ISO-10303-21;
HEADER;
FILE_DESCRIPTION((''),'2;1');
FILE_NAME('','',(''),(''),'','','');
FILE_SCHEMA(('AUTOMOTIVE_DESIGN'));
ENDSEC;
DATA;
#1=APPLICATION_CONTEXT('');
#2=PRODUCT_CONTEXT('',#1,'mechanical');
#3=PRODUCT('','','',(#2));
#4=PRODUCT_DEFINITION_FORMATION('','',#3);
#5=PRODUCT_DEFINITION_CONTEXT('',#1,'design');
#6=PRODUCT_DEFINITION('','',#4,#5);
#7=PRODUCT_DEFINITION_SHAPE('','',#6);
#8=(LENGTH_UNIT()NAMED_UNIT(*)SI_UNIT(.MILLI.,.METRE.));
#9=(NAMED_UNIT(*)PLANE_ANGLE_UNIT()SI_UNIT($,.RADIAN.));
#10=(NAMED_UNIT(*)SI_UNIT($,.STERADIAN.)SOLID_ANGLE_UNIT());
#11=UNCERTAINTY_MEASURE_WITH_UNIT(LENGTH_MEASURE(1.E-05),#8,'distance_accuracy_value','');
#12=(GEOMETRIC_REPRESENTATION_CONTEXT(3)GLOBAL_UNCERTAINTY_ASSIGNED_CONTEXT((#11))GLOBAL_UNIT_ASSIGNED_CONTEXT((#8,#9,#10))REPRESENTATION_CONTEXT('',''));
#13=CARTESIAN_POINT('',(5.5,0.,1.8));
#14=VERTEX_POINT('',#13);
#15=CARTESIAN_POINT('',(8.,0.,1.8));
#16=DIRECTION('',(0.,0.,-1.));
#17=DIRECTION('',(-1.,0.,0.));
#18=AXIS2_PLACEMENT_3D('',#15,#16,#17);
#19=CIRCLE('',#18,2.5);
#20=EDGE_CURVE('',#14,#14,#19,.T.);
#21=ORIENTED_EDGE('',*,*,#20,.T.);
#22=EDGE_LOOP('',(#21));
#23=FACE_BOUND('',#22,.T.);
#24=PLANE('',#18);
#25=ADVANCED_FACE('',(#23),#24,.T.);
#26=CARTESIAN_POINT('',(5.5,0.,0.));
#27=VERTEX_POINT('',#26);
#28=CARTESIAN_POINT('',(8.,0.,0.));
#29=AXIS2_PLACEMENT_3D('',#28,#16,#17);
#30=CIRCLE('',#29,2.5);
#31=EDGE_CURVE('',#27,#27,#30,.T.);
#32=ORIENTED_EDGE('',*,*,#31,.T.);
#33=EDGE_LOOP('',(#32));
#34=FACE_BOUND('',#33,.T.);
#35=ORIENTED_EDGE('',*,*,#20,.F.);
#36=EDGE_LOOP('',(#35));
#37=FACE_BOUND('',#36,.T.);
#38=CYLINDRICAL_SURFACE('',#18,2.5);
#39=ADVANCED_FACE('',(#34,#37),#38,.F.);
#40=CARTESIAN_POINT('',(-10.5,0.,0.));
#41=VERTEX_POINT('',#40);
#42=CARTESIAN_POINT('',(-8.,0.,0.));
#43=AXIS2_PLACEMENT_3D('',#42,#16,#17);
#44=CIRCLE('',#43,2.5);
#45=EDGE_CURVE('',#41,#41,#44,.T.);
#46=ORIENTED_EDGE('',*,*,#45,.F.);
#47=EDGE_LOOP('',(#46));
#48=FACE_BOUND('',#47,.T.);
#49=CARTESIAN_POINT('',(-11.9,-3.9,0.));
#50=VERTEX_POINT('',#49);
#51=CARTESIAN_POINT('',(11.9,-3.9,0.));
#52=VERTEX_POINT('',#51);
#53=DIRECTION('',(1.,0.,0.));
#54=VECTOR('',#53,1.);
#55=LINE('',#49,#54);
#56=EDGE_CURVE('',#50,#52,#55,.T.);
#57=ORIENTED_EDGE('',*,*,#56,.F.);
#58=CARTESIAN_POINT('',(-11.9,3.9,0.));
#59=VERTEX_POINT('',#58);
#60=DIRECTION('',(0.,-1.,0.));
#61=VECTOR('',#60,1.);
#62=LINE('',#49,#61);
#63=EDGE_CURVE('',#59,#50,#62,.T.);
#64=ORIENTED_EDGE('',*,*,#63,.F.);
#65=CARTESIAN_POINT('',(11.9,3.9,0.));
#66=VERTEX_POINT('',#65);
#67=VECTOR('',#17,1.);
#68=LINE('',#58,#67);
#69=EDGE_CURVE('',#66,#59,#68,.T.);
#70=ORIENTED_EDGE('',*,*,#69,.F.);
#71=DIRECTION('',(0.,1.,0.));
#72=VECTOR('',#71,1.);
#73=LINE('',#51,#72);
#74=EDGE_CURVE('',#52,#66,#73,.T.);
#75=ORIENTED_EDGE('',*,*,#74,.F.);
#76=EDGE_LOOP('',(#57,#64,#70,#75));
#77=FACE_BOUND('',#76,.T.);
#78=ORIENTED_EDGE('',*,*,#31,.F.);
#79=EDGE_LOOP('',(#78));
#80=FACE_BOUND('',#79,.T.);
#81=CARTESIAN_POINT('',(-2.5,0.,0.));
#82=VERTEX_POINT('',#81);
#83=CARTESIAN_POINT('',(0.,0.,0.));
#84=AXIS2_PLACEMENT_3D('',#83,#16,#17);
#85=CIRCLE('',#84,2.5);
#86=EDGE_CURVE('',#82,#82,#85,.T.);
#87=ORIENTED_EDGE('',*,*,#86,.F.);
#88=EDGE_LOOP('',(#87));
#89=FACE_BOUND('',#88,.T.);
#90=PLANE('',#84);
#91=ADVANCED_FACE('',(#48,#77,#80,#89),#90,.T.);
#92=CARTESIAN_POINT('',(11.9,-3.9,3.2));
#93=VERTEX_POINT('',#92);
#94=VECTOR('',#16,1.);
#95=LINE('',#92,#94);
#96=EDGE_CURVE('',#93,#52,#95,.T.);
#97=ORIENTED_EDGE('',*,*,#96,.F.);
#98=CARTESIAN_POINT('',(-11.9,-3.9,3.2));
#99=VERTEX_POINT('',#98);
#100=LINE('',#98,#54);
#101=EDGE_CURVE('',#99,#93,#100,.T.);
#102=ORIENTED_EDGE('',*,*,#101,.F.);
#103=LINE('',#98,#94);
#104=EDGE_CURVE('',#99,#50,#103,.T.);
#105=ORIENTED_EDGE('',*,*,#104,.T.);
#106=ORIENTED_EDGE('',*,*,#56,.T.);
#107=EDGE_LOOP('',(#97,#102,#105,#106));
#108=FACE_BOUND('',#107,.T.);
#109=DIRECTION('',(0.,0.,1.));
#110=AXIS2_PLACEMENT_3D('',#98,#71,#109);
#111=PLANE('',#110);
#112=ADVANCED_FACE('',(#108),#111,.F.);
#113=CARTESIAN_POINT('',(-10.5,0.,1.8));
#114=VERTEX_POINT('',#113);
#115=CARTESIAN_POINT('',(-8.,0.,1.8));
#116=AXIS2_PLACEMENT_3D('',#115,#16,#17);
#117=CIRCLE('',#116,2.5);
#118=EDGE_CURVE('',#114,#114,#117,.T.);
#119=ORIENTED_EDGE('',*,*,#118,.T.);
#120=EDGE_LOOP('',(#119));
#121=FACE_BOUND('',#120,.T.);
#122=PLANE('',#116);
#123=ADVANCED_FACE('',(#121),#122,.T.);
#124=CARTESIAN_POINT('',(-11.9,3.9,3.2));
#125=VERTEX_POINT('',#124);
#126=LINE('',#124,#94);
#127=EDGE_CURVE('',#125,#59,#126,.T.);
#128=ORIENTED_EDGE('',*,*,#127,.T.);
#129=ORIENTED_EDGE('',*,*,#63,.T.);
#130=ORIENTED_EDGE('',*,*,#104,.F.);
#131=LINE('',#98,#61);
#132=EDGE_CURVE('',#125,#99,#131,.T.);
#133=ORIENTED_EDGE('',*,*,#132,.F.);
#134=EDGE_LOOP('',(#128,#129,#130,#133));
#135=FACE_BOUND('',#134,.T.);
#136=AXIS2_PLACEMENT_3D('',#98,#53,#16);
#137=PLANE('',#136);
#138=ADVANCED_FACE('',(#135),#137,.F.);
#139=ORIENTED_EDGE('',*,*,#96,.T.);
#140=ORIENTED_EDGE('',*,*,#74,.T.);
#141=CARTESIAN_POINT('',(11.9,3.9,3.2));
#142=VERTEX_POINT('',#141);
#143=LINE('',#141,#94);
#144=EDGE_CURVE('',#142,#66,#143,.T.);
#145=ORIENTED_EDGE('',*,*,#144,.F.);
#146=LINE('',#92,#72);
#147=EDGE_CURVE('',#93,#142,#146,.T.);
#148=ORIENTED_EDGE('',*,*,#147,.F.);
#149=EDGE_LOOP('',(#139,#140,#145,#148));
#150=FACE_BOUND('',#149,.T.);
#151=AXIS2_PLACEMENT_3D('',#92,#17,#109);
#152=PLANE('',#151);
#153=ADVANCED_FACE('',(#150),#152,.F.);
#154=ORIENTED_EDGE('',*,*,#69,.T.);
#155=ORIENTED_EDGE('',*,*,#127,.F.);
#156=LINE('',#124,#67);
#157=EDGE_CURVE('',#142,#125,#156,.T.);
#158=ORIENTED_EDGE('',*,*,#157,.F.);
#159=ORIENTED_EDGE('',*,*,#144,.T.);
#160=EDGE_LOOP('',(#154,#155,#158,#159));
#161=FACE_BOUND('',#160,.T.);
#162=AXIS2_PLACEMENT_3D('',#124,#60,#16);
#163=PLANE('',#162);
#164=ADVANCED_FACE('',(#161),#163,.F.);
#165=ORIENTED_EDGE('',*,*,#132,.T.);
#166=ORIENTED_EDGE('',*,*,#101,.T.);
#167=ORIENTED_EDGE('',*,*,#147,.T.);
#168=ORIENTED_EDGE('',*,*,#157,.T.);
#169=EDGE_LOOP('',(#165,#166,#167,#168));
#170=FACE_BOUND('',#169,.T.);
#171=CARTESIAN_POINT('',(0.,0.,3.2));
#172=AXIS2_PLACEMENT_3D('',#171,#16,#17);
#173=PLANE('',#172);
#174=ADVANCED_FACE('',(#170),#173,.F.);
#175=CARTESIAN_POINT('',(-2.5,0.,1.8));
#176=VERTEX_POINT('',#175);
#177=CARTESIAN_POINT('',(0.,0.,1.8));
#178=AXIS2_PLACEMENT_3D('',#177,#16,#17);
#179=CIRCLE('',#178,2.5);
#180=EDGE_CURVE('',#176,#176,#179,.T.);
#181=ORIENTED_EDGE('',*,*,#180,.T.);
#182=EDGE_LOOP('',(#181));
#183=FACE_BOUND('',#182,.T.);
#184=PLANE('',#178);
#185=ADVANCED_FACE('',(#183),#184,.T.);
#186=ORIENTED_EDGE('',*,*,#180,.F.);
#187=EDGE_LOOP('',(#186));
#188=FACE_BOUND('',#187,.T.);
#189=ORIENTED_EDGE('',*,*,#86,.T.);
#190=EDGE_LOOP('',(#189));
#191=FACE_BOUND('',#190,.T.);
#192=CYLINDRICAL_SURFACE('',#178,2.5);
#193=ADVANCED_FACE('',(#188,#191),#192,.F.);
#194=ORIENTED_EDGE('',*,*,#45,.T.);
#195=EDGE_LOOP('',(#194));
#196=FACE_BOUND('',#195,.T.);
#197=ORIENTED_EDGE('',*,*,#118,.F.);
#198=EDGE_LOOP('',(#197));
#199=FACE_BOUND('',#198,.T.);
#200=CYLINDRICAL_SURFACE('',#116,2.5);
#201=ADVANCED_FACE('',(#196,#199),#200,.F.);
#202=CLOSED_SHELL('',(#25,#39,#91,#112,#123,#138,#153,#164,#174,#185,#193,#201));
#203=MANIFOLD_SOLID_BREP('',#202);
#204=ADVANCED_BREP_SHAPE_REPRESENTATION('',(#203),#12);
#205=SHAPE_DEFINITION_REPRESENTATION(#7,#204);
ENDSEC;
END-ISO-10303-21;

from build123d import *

# Parameters (mm, degrees)
SKETCH_1_W          = 23.8
SKETCH_1_H          = 7.8
EXTRUDE_1_DEPTH     = 3.2
SKETCH_2_R          = 2.5
CUT_EXTRUDE_1_DEPTH = 1.8


with BuildPart() as part:
    # Эскиз1 → Бобышка-Вытянуть1 (new body)
    with BuildSketch(Plane.XY):
        Rectangle(SKETCH_1_W, SKETCH_1_H)
    extrude(amount=EXTRUDE_1_DEPTH)

    # Эскиз2 → Вырез-Вытянуть1 (cut)
    with BuildSketch(Plane(origin=(0, 0, 0), x_dir=(-1, 0, 0), z_dir=(0, 0, -1))):
        Circle(SKETCH_2_R)
        with Locations((8, 0)):
            Circle(SKETCH_2_R)
        with Locations((-8, 0)):
            Circle(SKETCH_2_R)
    extrude(amount=-CUT_EXTRUDE_1_DEPTH, mode=Mode.SUBTRACT)


solid = part.part
